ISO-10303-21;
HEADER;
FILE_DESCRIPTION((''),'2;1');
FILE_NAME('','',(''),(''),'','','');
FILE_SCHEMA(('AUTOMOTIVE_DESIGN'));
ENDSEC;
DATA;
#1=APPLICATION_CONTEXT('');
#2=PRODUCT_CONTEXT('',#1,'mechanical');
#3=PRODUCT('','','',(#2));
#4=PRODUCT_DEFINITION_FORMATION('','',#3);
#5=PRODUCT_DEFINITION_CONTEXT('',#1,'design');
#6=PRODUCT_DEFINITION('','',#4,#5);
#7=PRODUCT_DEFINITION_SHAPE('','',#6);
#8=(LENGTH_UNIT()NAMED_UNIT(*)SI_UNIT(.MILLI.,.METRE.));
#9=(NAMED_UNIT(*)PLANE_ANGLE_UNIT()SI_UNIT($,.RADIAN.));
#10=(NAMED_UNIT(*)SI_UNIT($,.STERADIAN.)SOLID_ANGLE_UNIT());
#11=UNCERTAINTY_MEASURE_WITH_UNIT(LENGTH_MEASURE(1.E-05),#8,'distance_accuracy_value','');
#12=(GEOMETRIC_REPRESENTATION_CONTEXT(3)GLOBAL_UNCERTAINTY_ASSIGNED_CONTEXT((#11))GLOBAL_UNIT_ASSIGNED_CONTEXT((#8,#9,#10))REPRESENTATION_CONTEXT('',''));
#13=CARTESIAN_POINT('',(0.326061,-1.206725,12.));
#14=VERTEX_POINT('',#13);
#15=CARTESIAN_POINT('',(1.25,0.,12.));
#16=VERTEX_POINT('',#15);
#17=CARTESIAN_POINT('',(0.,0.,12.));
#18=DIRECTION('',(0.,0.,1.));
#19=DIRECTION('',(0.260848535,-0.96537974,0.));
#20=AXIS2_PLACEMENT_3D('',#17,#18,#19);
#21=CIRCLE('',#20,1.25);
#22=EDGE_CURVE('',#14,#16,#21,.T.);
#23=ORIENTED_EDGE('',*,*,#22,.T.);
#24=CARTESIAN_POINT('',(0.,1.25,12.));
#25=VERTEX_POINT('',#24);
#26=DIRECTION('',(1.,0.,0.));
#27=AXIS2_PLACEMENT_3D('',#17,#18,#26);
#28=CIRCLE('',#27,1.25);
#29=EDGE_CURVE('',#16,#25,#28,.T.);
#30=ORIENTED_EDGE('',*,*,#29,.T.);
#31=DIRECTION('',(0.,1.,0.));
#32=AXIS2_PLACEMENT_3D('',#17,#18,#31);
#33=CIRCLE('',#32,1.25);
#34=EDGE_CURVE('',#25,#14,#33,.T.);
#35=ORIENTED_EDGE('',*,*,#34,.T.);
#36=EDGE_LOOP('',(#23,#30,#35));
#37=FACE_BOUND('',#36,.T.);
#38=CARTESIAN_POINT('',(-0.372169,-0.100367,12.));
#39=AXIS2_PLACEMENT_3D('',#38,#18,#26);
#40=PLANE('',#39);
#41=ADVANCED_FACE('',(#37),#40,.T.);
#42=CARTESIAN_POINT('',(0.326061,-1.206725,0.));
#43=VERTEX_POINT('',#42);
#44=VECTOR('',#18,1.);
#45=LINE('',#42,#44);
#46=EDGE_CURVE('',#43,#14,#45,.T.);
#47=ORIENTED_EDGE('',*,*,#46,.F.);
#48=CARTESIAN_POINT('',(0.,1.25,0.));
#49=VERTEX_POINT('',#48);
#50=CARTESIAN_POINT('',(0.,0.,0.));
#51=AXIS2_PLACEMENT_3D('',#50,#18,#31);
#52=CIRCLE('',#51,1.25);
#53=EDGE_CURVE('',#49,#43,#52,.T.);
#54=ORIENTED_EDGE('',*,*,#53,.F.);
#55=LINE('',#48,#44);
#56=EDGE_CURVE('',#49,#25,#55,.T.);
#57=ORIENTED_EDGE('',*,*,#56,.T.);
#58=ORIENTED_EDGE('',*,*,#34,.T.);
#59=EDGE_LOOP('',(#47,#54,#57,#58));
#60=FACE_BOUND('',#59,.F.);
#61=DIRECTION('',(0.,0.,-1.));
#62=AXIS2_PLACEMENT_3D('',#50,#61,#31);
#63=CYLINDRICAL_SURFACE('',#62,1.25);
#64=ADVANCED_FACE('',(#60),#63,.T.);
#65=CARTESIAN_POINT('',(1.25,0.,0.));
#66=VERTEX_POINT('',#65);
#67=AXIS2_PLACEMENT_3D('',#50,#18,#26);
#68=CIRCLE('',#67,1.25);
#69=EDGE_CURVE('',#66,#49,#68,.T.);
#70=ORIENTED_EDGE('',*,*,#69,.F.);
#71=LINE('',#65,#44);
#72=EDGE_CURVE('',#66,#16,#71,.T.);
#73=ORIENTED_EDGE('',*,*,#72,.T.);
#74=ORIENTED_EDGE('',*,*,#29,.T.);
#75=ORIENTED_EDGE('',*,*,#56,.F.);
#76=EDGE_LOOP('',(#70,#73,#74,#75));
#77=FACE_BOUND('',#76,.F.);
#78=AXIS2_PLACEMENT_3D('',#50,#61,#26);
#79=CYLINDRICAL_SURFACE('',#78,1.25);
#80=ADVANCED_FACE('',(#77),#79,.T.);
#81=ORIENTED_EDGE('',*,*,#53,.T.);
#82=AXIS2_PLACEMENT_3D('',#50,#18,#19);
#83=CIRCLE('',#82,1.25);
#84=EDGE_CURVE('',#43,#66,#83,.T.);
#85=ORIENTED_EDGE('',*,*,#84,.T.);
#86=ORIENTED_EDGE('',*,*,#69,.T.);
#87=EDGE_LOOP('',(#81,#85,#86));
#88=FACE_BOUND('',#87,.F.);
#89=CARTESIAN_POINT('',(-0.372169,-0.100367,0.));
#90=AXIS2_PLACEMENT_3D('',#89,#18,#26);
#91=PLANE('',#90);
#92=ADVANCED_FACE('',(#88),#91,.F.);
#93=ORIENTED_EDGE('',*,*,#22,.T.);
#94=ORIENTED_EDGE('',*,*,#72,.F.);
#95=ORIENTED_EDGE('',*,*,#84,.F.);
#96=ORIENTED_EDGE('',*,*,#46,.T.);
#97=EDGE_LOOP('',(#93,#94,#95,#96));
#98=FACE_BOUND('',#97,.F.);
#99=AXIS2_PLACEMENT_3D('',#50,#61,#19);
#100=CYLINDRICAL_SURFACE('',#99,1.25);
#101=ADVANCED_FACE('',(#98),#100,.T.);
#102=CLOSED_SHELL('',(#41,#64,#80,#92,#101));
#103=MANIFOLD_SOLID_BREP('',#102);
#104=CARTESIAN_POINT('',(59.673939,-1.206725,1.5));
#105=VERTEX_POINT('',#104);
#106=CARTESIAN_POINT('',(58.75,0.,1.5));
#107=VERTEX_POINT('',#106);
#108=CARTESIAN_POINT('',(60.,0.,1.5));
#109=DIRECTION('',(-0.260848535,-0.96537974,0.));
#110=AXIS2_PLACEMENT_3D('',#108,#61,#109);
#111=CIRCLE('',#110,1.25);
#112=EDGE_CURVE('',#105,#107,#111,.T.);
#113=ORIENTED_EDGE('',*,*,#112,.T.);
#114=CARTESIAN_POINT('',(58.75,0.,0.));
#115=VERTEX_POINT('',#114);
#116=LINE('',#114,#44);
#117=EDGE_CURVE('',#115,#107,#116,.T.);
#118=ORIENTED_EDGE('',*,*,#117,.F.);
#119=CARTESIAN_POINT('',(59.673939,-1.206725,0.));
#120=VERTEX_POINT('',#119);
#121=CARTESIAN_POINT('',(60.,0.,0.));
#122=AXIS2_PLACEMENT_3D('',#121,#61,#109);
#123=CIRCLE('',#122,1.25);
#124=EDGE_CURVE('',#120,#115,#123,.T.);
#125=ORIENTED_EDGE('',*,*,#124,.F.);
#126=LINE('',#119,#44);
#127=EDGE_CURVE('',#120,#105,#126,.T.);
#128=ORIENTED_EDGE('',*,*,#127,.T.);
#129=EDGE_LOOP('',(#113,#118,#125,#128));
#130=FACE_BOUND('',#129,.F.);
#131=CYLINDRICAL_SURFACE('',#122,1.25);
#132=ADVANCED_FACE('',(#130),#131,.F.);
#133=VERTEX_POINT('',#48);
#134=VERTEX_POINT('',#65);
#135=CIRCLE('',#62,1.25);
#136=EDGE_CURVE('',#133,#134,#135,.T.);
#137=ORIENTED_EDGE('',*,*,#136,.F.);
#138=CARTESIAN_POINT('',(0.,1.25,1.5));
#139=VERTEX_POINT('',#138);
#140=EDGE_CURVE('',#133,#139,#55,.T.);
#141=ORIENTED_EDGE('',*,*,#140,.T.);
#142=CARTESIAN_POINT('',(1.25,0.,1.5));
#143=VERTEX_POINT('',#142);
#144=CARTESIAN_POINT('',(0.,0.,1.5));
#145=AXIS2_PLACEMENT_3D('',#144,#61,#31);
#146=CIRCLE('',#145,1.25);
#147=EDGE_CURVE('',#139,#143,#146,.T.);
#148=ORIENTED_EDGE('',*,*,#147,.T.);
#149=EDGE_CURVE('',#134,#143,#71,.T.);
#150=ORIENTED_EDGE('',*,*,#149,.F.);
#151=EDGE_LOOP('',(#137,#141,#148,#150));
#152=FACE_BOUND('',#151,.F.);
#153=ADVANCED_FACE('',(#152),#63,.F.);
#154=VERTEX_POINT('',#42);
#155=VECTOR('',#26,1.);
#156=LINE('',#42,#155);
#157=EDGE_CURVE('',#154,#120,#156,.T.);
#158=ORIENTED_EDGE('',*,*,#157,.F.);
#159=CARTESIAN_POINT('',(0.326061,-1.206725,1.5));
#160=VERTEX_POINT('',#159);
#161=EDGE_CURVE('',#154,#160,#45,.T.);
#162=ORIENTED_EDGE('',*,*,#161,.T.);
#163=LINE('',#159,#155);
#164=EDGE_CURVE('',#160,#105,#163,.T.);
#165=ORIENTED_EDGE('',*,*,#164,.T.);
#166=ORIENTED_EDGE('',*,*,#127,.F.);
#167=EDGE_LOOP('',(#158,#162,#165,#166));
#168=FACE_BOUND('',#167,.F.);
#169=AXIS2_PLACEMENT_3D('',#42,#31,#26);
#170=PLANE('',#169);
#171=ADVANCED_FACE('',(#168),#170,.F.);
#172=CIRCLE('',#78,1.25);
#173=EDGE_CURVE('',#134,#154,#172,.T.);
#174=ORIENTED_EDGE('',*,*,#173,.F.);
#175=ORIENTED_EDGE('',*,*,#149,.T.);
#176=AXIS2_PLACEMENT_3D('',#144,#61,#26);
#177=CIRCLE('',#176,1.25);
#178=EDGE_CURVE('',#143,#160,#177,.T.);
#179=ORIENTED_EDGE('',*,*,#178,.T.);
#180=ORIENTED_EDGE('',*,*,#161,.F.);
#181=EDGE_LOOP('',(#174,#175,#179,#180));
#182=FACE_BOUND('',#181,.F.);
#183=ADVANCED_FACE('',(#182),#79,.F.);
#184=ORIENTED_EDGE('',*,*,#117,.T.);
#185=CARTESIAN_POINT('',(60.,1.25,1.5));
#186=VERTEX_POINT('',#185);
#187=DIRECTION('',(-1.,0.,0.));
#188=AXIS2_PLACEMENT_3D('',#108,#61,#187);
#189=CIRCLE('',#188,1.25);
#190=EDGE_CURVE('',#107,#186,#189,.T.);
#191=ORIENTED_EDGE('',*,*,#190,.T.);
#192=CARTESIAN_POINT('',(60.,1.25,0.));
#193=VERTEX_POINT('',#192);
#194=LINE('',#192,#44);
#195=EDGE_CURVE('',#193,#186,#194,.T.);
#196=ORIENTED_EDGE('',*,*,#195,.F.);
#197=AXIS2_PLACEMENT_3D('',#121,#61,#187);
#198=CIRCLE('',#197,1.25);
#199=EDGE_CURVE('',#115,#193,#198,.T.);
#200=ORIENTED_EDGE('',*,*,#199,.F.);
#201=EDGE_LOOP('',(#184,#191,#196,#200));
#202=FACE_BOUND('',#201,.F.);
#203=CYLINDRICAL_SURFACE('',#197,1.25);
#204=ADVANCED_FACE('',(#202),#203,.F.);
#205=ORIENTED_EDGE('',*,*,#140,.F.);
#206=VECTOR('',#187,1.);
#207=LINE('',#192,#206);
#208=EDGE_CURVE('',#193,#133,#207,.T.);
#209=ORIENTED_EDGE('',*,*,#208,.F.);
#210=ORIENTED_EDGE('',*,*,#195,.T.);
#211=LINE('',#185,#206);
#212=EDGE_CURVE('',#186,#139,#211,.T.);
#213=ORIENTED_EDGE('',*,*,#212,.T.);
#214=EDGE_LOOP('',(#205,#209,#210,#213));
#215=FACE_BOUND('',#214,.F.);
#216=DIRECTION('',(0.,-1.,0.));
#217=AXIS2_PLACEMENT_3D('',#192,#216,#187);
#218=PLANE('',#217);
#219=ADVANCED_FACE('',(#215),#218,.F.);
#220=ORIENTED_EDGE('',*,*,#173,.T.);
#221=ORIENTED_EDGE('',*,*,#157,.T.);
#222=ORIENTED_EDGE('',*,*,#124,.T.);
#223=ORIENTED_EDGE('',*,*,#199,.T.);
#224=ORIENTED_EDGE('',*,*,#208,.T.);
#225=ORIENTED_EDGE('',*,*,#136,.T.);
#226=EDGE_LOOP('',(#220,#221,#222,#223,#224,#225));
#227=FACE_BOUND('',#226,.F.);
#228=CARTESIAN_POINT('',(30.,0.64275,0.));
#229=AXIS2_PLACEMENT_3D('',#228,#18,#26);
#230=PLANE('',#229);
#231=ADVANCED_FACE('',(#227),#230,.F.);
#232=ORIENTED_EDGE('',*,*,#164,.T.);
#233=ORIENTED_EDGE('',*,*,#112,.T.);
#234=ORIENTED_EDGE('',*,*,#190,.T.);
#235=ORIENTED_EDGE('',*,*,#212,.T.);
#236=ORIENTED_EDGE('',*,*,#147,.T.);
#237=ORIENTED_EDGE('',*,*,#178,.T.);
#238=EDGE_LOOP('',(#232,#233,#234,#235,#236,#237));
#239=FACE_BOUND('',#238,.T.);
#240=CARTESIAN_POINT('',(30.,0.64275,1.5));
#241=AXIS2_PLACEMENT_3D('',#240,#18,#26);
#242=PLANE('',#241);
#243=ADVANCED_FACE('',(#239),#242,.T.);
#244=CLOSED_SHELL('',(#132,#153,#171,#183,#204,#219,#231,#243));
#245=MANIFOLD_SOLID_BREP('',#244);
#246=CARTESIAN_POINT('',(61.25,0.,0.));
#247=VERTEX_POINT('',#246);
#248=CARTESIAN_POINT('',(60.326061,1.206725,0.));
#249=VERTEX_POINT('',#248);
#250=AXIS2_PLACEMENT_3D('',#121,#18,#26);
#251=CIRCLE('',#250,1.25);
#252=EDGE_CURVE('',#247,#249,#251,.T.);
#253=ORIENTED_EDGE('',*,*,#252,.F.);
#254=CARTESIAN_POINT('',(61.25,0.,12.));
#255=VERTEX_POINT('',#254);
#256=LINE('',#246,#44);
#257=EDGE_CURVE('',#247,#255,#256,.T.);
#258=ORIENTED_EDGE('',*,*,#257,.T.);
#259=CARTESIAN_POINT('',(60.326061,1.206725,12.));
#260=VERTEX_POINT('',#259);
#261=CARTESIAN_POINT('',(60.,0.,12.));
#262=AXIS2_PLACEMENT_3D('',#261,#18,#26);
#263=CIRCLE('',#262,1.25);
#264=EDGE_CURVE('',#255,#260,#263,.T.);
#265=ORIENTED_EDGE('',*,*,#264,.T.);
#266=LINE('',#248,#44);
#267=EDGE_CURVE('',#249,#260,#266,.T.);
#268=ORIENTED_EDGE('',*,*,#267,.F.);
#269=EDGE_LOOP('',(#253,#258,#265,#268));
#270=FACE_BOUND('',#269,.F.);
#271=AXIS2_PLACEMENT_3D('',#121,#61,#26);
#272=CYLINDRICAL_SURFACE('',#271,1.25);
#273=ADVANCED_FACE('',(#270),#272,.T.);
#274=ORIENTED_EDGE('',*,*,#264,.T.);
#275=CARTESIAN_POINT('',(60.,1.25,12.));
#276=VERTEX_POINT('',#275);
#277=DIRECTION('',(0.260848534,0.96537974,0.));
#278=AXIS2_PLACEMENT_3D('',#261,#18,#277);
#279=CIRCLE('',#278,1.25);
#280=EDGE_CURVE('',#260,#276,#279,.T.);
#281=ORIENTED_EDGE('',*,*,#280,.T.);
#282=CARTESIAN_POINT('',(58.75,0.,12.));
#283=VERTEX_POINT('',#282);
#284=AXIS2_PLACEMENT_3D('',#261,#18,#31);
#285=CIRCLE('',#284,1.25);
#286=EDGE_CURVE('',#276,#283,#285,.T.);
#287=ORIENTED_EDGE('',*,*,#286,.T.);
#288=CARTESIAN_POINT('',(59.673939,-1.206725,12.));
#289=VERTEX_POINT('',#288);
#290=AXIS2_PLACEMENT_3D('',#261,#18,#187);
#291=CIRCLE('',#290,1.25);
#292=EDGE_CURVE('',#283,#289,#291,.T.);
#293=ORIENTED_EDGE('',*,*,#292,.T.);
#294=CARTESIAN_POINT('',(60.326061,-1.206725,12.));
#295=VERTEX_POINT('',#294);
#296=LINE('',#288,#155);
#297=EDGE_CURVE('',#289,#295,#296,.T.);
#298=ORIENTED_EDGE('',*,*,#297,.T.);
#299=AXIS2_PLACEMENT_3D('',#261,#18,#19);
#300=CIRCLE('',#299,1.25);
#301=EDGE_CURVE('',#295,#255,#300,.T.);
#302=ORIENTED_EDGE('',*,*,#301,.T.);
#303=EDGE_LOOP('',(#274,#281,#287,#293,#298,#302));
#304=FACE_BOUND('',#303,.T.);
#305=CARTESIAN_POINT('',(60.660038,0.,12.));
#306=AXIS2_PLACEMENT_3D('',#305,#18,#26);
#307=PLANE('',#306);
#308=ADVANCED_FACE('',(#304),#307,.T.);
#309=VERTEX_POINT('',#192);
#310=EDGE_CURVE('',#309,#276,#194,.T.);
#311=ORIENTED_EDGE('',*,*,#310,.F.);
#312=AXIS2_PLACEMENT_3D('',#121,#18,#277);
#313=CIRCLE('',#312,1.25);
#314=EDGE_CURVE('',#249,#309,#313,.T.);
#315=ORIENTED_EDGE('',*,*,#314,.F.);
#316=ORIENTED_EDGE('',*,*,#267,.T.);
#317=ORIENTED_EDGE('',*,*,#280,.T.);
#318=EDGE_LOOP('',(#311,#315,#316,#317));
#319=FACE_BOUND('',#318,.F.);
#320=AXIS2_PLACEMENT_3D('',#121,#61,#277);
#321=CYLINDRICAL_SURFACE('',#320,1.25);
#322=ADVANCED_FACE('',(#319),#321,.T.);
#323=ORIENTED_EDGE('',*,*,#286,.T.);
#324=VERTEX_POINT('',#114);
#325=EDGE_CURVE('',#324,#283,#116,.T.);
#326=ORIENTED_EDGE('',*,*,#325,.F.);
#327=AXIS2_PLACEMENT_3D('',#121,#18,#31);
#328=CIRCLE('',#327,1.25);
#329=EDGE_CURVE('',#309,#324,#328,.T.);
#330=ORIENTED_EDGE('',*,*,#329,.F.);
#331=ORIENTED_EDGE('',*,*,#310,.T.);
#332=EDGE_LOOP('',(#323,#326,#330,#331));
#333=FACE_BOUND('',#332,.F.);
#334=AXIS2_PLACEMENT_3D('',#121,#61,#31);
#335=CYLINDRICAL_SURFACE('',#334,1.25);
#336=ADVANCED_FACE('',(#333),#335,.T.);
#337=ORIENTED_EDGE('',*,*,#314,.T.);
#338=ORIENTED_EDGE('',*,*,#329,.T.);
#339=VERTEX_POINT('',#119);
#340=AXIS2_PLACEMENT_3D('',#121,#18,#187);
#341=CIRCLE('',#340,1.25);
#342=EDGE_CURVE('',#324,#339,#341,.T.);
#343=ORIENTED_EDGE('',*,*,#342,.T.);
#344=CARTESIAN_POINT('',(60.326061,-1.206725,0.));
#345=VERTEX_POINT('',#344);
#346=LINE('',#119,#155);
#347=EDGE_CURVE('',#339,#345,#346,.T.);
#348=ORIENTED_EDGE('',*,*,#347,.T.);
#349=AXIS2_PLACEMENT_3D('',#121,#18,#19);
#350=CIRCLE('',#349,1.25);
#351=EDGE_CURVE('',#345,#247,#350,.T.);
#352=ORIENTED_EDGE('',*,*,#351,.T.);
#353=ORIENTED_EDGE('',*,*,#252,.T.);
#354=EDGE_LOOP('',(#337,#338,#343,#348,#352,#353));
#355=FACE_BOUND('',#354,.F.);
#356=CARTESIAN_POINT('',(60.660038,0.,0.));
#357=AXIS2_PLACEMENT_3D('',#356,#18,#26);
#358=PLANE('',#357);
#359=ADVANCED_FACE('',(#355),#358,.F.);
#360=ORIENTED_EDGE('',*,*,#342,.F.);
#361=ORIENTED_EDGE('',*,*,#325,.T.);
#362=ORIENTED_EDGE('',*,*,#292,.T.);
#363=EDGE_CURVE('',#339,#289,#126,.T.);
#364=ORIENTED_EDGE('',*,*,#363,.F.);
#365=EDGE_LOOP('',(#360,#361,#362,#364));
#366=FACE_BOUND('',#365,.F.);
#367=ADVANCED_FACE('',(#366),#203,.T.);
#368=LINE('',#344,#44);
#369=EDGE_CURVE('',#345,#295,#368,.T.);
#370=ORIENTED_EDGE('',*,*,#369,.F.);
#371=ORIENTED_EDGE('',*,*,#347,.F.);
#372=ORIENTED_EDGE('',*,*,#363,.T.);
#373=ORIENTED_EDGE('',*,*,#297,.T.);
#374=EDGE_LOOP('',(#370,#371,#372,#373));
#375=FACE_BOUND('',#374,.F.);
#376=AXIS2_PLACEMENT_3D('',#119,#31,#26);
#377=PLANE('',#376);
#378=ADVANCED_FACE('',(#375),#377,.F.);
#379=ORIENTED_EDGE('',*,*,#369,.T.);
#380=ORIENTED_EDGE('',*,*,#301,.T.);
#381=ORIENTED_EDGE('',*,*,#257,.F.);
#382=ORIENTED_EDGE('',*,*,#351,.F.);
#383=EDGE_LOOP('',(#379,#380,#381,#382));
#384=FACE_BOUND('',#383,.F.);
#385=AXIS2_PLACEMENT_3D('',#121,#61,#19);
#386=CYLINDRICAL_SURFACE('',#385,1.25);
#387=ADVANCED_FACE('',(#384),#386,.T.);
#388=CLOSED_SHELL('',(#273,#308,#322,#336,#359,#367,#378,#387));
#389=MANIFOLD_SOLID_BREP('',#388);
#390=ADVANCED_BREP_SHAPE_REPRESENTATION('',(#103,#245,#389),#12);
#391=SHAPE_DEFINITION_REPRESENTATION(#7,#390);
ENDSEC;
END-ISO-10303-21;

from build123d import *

# Parameters (mm, degrees)
F1_DEPTH = 12
F2_DEPTH = 1.5


with BuildPart() as f1:
    # F0 (on Top) → F1 (new body)
    with BuildSketch(Plane.XY):
        with BuildLine():
            Line((0, 0), (0, 1.25))
            ThreePointArc((0, 1.25), (-1.2391339401, -0.1644599598), (0.3260606688, -1.2067246746))
            Line((0.3260606688, -1.2067246746), (0, -1.2067246746))
            Line((0, -1.2067246746), (0, 0))
        make_face()
        with BuildLine():
            ThreePointArc((0.3260606688, -1.2067246746), (0.9924907647, -0.7599092591), (1.25, 0))
            Line((1.25, 0), (0, 0))
            Line((0, 0), (0, -1.2067246746))
            Line((0, -1.2067246746), (0.3260606688, -1.2067246746))
        make_face()
        with BuildLine():
            Line((0, 0), (1.25, 0))
            ThreePointArc((1.25, 0), (0.8838834765, 0.8838834765), (0, 1.25))
            Line((0, 1.25), (0, 0))
        make_face()
    extrude(amount=F1_DEPTH)


with BuildPart() as f1b:
    # F0 (on Top) → F1, piece 2 (new body)
    with BuildSketch(Plane.XY):
        with BuildLine():
            ThreePointArc((61.25, 0), (60.9924907647, 0.7599092591), (60.3260606688, 1.2067246746))
            Line((60.3260606688, 1.2067246746), (60.3260606688, -1.2067246746))
            ThreePointArc((60.3260606688, -1.2067246746), (60.9924907647, -0.7599092591), (61.25, 0))
        make_face()
        with BuildLine():
            ThreePointArc((60, 1.25), (59.1161165235, 0.8838834765), (58.75, 0))
            ThreePointArc((58.75, 0), (59.0075092353, -0.7599092591), (59.6739393312, -1.2067246746))
            Line((59.6739393312, -1.2067246746), (60.3260606688, -1.2067246746))
            Line((60.3260606688, -1.2067246746), (60.3260606688, 1.2067246746))
            ThreePointArc((60.3260606688, 1.2067246746), (60.1644599598, 1.2391339401), (60, 1.25))
        make_face()
    extrude(amount=F1_DEPTH)


with BuildPart() as f2:
    # F0 (on Top) → F2 (new body)
    with BuildSketch(Plane.XY):
        with BuildLine():
            ThreePointArc((0, 1.25), (0.8838834765, 0.8838834765), (1.25, 0))
            Line((1.25, 0), (58.75, 0))
            ThreePointArc((58.75, 0), (59.1161165235, 0.8838834765), (60, 1.25))
            Line((60, 1.25), (0, 1.25))
        make_face()
        with BuildLine():
            Line((58.75, 0), (1.25, 0))
            ThreePointArc((1.25, 0), (0.9924907647, -0.7599092591), (0.3260606688, -1.2067246746))
            Line((0.3260606688, -1.2067246746), (59.6739393312, -1.2067246746))
            ThreePointArc((59.6739393312, -1.2067246746), (59.0075092353, -0.7599092591), (58.75, 0))
        make_face()
    extrude(amount=F2_DEPTH)


solid = Compound([f1.part, f1b.part, f2.part])
